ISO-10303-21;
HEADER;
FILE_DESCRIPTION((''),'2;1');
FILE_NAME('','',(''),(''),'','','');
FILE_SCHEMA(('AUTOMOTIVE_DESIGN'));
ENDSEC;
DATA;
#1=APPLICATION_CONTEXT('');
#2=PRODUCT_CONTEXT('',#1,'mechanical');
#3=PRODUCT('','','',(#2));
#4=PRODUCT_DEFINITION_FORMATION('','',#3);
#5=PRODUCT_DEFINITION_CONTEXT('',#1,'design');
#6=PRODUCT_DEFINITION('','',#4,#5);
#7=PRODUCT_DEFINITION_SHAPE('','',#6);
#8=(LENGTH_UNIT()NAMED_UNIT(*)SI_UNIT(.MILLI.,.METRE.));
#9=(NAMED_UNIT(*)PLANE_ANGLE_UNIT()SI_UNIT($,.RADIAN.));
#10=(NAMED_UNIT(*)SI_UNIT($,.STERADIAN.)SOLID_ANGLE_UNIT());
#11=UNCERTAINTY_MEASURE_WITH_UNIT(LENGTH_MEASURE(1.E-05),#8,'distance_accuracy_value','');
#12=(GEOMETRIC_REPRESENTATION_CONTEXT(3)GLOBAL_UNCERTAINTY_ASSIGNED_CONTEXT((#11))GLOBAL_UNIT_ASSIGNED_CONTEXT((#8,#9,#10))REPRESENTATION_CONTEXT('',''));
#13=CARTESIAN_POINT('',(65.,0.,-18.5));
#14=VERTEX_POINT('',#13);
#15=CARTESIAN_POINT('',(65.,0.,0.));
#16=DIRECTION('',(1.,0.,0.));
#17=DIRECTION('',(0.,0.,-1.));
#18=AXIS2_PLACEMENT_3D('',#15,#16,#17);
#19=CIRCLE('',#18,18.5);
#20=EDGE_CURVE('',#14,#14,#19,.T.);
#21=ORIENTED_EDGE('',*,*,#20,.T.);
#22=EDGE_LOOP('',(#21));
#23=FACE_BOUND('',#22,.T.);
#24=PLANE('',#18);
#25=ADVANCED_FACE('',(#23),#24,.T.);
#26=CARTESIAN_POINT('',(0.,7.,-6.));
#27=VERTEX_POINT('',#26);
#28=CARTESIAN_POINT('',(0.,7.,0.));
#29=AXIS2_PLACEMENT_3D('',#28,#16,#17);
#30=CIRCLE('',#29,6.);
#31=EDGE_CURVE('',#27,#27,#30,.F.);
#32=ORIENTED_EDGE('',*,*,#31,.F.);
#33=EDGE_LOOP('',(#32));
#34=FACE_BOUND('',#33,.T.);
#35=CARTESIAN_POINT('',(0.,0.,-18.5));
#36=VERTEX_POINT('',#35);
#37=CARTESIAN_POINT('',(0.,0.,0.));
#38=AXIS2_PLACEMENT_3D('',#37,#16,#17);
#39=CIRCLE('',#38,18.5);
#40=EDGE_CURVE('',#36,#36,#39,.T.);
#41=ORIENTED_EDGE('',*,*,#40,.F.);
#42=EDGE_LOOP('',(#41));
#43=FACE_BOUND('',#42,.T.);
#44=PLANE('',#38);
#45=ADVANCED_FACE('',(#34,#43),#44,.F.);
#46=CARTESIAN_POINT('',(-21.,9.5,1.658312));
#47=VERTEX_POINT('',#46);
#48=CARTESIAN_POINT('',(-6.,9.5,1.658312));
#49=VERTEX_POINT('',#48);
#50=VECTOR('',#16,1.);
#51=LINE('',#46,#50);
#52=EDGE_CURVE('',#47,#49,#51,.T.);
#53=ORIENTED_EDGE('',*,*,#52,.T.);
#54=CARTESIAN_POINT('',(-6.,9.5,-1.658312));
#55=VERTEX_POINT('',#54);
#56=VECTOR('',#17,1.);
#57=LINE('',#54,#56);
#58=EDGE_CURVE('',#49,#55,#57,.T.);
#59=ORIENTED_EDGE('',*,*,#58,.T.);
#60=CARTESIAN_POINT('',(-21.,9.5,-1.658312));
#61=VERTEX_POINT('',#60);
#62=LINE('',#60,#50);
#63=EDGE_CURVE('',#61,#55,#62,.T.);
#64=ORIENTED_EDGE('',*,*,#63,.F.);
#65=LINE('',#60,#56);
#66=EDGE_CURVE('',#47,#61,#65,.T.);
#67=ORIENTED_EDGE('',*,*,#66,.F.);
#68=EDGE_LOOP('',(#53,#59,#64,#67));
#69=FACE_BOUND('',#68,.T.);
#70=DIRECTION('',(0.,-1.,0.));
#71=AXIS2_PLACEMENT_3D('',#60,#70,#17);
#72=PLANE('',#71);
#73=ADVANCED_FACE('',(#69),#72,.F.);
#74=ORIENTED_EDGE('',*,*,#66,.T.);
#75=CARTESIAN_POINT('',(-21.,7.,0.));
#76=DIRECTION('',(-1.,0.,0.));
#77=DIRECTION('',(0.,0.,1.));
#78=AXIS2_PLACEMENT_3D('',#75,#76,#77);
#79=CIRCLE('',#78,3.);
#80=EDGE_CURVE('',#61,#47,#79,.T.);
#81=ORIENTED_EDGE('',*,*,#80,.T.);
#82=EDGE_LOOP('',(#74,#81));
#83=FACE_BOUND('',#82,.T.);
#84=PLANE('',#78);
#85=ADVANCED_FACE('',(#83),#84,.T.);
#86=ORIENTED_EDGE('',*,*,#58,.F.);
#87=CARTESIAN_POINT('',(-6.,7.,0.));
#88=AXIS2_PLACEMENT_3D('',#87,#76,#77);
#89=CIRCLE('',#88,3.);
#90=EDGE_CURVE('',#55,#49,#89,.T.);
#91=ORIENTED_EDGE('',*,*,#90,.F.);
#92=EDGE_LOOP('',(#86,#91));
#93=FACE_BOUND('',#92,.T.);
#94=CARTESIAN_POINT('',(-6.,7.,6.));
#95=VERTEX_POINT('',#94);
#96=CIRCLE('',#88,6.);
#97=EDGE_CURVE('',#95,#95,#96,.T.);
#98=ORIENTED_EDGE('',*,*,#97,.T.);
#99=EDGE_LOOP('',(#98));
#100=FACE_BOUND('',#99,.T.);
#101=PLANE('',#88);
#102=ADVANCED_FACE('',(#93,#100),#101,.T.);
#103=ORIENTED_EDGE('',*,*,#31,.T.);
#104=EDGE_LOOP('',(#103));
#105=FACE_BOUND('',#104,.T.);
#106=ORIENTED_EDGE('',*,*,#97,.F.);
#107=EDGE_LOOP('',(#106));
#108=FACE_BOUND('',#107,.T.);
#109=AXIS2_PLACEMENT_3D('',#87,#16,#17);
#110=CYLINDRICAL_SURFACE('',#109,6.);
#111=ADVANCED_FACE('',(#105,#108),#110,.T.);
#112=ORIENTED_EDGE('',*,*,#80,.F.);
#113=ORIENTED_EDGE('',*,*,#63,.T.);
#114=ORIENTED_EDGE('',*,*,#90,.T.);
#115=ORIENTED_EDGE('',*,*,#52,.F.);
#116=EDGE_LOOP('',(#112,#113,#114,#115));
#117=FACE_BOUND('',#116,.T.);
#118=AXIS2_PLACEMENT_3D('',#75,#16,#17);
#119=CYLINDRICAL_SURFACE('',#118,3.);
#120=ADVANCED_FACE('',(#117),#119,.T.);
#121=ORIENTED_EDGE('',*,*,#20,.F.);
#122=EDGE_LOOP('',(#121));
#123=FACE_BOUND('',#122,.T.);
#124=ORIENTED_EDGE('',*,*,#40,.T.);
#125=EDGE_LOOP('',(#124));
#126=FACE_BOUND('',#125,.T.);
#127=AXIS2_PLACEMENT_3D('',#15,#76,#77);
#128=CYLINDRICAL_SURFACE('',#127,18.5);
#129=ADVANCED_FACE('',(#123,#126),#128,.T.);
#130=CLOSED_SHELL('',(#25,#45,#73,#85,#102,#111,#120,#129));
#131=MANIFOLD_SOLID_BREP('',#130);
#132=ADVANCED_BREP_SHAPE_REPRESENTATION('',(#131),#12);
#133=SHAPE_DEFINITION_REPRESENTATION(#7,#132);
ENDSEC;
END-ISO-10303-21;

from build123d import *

# Parameters (mm, degrees)
SKIZZE1_R                       = 18.5
AUFSATZ_LINEAR_AUSTRAGEN1_DEPTH = 65
SKIZZE2_R                       = 6
AUFSATZ_LINEAR_AUSTRAGEN2_DEPTH = 6
AUFSATZ_LINEAR_AUSTRAGEN3_DEPTH = 15


with BuildPart() as part:
    # Skizze1 → Aufsatz-Linear austragen1 (new body)
    with BuildSketch(Plane(origin=(0, 0, 0), x_dir=(0, 0, -1), z_dir=(1, 0, 0))):
        Circle(SKIZZE1_R)
    extrude(amount=AUFSATZ_LINEAR_AUSTRAGEN1_DEPTH)

    # Skizze2 → Aufsatz-Linear austragen2 (add)
    with BuildSketch(Plane.ZY):
        with Locations((0, 7)):
            Circle(SKIZZE2_R)
    extrude(amount=AUFSATZ_LINEAR_AUSTRAGEN2_DEPTH)

    # Skizze3 → Aufsatz-Linear austragen3 (add)
    with BuildSketch(Plane.ZY.offset(6)):
        with BuildLine():
            Line((-1.658312395, 9.5), (1.658312395, 9.5))
            ThreePointArc((1.658312395, 9.5), (0, 4), (-1.658312395, 9.5))
        make_face()
    extrude(amount=AUFSATZ_LINEAR_AUSTRAGEN3_DEPTH)


solid = part.part
